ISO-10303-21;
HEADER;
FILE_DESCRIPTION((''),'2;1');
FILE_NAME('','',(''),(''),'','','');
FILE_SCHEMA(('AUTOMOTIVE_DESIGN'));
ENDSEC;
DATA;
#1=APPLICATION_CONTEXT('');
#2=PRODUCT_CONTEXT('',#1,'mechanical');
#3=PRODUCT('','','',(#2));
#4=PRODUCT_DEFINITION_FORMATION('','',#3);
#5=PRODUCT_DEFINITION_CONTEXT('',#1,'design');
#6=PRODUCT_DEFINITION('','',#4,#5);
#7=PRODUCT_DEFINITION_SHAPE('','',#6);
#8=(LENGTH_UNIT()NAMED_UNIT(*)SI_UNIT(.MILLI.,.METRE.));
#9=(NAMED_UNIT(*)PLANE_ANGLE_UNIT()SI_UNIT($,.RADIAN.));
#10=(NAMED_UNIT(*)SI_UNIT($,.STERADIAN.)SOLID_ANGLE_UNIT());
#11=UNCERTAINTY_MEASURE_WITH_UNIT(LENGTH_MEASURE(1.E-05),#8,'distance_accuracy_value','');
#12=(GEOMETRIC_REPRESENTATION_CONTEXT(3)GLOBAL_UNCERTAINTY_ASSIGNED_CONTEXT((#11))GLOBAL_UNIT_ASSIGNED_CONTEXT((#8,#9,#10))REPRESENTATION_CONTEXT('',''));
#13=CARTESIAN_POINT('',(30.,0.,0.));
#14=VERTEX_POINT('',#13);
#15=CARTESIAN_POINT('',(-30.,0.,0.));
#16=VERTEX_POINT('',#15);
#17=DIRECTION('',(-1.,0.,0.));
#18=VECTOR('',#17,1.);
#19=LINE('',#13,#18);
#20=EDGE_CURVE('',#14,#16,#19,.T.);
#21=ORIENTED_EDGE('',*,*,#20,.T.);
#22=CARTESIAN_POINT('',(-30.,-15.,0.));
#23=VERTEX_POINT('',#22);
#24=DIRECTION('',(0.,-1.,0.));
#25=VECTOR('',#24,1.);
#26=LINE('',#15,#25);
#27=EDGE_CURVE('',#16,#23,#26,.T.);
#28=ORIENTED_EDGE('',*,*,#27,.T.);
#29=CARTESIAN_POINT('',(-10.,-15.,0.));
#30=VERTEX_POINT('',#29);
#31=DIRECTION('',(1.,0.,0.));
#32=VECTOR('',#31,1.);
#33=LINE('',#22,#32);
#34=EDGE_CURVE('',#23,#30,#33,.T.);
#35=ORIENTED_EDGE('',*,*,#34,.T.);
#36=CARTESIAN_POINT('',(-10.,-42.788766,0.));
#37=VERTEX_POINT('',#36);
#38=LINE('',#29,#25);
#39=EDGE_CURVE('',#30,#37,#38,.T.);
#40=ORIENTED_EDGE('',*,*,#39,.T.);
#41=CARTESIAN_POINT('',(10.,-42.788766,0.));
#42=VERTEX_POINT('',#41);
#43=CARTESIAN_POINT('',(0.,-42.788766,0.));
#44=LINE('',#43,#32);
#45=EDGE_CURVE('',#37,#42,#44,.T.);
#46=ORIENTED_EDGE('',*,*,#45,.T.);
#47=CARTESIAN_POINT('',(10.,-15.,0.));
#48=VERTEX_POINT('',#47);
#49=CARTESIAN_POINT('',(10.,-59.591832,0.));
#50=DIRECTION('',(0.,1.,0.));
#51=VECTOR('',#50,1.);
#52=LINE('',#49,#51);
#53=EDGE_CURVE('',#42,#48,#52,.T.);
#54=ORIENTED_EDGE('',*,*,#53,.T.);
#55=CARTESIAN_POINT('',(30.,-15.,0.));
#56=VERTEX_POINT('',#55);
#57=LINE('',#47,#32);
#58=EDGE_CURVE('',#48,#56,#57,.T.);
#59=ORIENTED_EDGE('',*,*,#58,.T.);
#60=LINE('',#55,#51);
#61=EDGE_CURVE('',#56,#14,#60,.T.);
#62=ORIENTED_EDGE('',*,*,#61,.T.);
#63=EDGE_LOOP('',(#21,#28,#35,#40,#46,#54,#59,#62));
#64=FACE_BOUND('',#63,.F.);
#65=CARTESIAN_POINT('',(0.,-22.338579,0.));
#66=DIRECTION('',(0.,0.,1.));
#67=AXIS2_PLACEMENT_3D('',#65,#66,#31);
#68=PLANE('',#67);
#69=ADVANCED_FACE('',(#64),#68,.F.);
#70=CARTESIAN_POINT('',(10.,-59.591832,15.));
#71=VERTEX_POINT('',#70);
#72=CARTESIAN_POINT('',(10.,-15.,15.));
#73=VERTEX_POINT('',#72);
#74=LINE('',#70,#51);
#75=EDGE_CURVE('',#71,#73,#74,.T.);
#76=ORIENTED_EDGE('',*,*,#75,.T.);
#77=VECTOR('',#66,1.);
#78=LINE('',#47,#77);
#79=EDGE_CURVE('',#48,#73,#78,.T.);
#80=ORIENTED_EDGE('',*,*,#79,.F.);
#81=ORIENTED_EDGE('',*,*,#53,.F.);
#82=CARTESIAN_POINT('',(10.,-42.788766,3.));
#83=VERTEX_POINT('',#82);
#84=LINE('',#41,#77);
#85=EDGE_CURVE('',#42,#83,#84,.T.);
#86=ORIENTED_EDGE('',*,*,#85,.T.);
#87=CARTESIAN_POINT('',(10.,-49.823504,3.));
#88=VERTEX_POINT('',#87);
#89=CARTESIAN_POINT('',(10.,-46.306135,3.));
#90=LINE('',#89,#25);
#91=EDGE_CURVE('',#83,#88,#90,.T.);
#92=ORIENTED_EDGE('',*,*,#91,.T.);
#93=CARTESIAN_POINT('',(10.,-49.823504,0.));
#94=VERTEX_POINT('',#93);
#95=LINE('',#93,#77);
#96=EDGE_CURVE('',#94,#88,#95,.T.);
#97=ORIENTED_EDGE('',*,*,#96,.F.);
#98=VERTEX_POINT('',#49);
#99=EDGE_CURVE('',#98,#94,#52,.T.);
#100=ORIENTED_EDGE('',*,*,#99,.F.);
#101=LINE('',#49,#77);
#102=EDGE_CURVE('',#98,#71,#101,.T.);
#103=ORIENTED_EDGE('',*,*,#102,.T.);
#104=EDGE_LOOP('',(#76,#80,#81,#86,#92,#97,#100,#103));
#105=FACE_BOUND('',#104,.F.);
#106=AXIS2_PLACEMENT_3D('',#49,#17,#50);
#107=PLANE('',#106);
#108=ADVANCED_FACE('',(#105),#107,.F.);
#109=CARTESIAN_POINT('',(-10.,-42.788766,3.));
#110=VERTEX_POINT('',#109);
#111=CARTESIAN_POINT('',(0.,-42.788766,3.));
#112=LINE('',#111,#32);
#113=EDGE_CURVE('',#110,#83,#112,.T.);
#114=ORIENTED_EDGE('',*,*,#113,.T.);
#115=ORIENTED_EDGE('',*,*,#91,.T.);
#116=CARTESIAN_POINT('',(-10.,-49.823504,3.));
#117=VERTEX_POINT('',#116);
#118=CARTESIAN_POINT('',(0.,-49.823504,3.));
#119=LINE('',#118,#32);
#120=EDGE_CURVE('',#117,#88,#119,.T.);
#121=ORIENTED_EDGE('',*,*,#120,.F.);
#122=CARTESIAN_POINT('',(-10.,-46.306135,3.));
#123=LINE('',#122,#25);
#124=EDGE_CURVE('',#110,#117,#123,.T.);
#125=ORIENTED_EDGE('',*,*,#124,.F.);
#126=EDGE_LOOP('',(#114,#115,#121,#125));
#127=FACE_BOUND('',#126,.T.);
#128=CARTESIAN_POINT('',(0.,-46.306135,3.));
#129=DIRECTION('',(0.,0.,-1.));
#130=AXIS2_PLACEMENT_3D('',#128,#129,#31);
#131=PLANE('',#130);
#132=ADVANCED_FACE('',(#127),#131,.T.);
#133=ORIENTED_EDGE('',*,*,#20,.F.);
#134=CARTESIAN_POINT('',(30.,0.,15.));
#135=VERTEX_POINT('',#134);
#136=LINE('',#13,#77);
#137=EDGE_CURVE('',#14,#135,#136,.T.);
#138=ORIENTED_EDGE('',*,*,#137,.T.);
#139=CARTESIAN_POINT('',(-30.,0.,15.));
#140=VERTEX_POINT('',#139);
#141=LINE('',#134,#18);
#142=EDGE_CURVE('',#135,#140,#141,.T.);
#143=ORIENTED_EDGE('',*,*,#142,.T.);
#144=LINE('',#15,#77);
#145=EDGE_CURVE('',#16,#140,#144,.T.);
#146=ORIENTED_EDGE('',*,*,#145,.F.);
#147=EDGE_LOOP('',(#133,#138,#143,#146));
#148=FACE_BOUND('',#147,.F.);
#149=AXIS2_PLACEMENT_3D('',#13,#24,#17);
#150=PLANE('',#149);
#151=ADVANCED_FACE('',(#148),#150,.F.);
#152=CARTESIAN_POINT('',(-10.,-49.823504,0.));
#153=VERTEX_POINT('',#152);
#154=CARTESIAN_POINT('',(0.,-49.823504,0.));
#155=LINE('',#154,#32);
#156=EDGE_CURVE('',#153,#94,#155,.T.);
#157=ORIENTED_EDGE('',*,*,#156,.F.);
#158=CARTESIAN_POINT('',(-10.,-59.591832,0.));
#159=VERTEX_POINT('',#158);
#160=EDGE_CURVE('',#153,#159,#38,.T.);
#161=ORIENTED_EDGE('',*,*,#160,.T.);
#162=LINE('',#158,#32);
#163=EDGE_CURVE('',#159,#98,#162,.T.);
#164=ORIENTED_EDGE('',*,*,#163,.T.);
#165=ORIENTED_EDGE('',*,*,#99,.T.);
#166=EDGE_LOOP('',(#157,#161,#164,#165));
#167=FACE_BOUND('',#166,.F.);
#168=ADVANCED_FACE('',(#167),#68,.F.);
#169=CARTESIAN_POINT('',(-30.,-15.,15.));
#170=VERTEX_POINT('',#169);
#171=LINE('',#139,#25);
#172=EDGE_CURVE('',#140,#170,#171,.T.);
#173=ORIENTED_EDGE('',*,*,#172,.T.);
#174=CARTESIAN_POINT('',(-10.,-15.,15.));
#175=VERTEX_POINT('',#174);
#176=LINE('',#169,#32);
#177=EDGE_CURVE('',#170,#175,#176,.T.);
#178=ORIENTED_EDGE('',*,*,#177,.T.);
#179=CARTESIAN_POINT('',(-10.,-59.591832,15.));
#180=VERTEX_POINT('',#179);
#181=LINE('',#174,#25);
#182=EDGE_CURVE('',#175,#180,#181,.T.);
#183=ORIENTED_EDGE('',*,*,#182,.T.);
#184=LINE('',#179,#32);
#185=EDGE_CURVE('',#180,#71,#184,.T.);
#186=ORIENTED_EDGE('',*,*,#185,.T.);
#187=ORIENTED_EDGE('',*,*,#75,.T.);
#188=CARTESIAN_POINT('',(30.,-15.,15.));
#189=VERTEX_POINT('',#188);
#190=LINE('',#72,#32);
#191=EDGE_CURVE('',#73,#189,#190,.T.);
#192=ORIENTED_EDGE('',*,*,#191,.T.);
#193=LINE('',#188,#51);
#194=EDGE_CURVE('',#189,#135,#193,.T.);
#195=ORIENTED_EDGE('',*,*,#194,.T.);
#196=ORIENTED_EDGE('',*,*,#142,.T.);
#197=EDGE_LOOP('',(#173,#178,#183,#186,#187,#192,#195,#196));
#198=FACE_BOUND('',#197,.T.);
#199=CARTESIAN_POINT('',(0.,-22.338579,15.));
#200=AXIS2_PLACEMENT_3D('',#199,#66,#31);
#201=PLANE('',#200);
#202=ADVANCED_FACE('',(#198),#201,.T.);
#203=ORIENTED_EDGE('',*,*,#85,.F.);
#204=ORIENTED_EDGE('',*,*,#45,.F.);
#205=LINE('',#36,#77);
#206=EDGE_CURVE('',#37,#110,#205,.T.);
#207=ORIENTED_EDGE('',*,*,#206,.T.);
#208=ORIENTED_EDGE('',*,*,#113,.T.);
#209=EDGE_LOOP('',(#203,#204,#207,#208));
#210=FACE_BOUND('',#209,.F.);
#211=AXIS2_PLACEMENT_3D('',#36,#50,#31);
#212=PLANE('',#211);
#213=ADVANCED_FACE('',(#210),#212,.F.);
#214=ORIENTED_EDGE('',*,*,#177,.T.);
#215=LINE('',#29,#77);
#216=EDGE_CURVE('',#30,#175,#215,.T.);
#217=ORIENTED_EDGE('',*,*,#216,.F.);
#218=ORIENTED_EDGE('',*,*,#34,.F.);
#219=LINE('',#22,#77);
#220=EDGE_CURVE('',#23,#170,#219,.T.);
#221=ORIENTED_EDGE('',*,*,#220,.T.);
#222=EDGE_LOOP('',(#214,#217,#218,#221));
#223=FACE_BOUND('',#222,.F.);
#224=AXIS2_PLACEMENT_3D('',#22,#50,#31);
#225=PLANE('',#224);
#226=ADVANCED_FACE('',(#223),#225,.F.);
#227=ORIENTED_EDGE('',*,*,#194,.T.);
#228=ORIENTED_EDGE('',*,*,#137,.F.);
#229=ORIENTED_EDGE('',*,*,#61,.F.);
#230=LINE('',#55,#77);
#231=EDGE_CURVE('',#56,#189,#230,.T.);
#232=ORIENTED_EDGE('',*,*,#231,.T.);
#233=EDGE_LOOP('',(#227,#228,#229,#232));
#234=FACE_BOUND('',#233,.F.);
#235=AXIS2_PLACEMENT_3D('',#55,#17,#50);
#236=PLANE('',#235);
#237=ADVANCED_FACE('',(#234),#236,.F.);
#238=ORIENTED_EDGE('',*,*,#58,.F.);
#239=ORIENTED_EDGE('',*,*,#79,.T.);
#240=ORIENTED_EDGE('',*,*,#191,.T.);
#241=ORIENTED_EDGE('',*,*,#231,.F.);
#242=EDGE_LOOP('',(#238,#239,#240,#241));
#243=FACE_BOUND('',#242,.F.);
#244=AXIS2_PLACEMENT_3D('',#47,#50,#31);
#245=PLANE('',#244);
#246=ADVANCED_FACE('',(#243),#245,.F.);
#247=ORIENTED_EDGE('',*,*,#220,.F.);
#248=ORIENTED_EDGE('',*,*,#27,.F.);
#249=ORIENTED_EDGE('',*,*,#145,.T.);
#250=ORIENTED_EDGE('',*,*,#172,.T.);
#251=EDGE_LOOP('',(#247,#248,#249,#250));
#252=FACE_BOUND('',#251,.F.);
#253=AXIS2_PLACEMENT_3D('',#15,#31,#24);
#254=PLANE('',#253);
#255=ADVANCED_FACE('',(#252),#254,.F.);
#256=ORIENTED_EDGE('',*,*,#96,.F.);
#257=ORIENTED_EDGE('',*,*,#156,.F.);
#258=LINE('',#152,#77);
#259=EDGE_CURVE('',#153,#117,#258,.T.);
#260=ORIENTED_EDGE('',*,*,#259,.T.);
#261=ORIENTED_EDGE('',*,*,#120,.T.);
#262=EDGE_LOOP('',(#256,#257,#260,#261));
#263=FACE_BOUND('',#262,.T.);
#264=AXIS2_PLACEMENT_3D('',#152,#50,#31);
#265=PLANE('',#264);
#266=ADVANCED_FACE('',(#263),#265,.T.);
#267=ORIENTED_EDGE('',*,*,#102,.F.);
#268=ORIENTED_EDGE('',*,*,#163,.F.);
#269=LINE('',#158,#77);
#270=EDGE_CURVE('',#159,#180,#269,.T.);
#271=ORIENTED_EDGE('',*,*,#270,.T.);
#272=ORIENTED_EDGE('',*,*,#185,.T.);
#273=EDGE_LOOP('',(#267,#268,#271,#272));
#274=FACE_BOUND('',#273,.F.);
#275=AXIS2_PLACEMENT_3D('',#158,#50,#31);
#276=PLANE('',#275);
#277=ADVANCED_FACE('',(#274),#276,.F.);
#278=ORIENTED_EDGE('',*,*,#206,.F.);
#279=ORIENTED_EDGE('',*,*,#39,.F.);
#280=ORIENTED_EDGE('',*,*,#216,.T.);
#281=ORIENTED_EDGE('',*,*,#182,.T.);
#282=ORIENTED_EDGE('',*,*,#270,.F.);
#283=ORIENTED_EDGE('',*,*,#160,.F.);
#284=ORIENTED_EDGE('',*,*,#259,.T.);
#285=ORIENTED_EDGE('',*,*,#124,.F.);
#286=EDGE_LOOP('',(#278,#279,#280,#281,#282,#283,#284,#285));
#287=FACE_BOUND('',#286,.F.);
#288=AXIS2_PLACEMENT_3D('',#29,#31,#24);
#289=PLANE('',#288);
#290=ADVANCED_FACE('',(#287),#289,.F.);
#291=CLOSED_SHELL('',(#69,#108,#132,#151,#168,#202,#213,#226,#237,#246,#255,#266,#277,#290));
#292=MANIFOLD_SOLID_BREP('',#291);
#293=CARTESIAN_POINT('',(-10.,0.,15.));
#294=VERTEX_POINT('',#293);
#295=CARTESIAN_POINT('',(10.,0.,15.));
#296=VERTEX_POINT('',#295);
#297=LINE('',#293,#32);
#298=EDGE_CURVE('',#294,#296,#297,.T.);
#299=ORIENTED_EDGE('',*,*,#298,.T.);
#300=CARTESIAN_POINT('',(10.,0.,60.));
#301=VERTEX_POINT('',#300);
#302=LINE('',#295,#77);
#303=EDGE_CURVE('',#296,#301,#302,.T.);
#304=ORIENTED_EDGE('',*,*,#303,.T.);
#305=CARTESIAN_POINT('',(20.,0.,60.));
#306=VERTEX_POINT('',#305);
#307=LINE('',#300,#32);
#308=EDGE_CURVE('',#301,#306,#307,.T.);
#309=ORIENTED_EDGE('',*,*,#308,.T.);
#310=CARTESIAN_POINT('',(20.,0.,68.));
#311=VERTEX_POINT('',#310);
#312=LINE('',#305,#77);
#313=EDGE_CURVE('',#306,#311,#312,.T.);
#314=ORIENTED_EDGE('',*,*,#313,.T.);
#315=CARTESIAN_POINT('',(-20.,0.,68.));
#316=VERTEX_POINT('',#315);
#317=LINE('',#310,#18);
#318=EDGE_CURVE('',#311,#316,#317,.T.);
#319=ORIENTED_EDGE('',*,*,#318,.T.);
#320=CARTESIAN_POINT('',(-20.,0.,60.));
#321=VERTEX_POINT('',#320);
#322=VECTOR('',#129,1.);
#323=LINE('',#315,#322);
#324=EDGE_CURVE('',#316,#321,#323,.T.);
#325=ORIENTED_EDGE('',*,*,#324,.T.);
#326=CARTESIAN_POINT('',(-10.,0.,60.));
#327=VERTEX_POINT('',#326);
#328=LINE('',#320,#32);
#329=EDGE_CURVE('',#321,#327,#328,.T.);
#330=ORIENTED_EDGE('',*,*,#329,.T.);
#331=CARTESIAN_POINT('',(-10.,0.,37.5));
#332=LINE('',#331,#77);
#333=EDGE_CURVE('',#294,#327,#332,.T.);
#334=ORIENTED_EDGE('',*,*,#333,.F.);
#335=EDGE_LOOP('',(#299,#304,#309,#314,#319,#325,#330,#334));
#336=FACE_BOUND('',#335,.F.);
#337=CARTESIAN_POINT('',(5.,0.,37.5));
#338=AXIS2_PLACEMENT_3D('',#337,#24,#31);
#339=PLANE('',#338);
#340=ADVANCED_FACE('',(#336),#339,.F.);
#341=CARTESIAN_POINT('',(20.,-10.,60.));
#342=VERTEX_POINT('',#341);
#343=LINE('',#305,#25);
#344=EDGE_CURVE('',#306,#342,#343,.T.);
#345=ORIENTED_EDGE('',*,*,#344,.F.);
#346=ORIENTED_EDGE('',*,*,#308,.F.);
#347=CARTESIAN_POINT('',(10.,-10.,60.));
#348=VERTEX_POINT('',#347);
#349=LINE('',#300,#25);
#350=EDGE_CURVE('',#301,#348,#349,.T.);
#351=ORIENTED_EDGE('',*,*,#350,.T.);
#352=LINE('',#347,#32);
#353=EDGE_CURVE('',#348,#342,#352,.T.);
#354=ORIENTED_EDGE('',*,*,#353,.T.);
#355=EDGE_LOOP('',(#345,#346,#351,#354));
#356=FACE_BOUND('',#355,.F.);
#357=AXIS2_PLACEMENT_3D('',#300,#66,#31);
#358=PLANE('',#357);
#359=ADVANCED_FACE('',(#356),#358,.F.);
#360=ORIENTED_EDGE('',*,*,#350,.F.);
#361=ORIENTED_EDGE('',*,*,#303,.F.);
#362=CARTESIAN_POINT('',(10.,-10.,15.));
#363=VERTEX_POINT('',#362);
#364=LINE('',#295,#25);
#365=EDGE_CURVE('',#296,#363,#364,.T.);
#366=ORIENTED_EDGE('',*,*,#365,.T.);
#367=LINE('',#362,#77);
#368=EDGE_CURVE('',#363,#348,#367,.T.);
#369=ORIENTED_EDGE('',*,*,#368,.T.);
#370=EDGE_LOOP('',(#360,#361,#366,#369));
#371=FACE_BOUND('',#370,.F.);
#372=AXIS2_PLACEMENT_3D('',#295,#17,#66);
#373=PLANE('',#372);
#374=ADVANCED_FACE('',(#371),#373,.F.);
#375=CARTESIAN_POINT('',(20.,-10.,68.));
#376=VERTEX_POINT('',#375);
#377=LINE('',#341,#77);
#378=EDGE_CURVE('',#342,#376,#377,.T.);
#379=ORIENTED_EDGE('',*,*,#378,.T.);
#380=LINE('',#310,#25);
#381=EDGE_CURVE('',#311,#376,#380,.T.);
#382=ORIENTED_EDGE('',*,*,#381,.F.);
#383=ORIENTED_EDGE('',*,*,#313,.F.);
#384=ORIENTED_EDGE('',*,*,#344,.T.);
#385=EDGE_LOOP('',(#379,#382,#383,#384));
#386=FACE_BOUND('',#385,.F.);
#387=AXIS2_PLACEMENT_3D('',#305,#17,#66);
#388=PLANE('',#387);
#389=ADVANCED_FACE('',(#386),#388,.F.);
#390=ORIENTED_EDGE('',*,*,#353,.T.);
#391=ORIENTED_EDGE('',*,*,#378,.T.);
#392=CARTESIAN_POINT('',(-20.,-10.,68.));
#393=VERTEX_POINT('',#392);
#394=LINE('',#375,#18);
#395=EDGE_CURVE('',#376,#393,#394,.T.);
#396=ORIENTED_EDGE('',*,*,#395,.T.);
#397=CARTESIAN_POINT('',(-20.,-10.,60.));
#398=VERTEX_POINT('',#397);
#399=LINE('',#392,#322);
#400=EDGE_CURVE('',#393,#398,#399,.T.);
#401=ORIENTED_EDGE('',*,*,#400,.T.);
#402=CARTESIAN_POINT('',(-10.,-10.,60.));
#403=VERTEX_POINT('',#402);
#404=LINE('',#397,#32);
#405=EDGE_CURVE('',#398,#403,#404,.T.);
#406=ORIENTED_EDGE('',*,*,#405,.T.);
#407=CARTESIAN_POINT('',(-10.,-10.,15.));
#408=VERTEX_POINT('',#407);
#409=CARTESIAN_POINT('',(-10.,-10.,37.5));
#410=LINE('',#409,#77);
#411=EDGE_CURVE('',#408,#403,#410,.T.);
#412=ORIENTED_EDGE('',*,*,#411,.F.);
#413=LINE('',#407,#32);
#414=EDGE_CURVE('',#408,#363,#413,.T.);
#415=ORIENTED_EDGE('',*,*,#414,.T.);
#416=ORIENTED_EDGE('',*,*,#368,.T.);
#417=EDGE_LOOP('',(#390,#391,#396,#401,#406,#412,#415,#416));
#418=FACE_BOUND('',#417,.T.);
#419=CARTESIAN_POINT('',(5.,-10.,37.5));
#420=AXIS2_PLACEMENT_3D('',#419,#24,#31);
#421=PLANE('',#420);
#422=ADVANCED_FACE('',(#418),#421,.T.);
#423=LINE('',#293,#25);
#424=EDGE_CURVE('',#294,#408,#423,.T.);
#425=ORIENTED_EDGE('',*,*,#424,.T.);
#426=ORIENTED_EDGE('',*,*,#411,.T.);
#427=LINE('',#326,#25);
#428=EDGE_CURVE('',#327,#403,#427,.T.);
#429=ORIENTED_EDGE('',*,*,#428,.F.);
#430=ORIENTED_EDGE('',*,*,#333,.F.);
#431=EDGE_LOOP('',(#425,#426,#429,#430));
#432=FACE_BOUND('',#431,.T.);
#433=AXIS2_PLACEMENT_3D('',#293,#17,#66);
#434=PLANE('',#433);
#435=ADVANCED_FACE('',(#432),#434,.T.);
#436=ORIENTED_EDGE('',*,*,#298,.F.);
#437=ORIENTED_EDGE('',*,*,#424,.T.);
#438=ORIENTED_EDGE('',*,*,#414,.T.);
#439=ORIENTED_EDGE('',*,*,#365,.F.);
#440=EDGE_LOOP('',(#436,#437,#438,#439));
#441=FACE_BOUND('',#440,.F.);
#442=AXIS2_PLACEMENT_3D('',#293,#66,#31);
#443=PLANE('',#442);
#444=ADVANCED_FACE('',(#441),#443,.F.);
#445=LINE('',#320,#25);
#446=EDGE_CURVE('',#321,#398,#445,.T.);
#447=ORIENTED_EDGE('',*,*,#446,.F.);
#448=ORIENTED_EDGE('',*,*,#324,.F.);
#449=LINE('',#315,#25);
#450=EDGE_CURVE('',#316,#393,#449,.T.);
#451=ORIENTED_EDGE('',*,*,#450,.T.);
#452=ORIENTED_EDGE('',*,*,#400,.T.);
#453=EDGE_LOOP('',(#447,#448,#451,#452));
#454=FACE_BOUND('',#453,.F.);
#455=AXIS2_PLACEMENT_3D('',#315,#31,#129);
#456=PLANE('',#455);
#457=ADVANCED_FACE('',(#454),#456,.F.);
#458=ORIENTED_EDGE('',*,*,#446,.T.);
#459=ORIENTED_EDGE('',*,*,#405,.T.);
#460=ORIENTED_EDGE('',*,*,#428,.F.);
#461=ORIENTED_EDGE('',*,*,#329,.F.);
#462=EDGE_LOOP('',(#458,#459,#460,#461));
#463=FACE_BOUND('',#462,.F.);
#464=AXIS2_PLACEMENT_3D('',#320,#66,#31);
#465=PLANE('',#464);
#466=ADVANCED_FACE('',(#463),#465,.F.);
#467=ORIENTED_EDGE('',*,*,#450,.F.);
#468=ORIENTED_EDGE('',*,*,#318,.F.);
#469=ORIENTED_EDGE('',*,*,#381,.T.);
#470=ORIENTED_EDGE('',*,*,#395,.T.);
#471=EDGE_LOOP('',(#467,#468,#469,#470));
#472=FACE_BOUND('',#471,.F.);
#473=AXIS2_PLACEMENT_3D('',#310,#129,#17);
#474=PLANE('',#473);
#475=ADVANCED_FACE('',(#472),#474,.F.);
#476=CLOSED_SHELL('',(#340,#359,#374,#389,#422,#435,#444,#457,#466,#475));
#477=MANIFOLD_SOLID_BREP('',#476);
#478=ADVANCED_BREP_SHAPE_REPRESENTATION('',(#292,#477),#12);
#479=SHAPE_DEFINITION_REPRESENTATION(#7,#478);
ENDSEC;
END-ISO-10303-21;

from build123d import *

# Parameters (mm, degrees)
F1_DEPTH = 15
F2_W     = 20
F2_H     = 7.034738
F3_DEPTH = 3
F4_W     = 10
F4_H     = 45
F5_DEPTH = 10


with BuildPart() as f1:
    # F0 (on Top) → F1 (new body)
    with BuildSketch(Plane.XY):
        Polygon((30, 0), (0, 0), (-30, 0), (-30, -15), (-10, -15), (-10, -59.591832), (0, -59.591832), (10, -59.591832), (10, -15), (30, -15), align=None)
    extrude(amount=F1_DEPTH)

    # F2 (on face) → F3 (cut)
    with BuildSketch(Plane(origin=(0, 0, 0), x_dir=(1, 0, 0), z_dir=(0, 0, -1))):
        with Locations((0, 46.306135)):
            Rectangle(F2_W, F2_H)
    extrude(amount=-F3_DEPTH, mode=Mode.SUBTRACT)


with BuildPart() as f5:
    # F4 (on Front) → F5 (new body)
    with BuildSketch(Plane.XZ):
        Polygon((0, 60), (0, 15), (10, 15), (10, 15.626872), (10, 60), align=None)
        with Locations((-5, 37.5)):
            Rectangle(F4_W, F4_H)
        Polygon((-10, 60), (0, 60), (0, 68), (-20, 68), (-20, 60), align=None)
        Polygon((0, 68), (0, 60), (10, 60), (20, 60), (20, 68), align=None)
    extrude(amount=F5_DEPTH)


solid = Compound([f1.part, f5.part])
